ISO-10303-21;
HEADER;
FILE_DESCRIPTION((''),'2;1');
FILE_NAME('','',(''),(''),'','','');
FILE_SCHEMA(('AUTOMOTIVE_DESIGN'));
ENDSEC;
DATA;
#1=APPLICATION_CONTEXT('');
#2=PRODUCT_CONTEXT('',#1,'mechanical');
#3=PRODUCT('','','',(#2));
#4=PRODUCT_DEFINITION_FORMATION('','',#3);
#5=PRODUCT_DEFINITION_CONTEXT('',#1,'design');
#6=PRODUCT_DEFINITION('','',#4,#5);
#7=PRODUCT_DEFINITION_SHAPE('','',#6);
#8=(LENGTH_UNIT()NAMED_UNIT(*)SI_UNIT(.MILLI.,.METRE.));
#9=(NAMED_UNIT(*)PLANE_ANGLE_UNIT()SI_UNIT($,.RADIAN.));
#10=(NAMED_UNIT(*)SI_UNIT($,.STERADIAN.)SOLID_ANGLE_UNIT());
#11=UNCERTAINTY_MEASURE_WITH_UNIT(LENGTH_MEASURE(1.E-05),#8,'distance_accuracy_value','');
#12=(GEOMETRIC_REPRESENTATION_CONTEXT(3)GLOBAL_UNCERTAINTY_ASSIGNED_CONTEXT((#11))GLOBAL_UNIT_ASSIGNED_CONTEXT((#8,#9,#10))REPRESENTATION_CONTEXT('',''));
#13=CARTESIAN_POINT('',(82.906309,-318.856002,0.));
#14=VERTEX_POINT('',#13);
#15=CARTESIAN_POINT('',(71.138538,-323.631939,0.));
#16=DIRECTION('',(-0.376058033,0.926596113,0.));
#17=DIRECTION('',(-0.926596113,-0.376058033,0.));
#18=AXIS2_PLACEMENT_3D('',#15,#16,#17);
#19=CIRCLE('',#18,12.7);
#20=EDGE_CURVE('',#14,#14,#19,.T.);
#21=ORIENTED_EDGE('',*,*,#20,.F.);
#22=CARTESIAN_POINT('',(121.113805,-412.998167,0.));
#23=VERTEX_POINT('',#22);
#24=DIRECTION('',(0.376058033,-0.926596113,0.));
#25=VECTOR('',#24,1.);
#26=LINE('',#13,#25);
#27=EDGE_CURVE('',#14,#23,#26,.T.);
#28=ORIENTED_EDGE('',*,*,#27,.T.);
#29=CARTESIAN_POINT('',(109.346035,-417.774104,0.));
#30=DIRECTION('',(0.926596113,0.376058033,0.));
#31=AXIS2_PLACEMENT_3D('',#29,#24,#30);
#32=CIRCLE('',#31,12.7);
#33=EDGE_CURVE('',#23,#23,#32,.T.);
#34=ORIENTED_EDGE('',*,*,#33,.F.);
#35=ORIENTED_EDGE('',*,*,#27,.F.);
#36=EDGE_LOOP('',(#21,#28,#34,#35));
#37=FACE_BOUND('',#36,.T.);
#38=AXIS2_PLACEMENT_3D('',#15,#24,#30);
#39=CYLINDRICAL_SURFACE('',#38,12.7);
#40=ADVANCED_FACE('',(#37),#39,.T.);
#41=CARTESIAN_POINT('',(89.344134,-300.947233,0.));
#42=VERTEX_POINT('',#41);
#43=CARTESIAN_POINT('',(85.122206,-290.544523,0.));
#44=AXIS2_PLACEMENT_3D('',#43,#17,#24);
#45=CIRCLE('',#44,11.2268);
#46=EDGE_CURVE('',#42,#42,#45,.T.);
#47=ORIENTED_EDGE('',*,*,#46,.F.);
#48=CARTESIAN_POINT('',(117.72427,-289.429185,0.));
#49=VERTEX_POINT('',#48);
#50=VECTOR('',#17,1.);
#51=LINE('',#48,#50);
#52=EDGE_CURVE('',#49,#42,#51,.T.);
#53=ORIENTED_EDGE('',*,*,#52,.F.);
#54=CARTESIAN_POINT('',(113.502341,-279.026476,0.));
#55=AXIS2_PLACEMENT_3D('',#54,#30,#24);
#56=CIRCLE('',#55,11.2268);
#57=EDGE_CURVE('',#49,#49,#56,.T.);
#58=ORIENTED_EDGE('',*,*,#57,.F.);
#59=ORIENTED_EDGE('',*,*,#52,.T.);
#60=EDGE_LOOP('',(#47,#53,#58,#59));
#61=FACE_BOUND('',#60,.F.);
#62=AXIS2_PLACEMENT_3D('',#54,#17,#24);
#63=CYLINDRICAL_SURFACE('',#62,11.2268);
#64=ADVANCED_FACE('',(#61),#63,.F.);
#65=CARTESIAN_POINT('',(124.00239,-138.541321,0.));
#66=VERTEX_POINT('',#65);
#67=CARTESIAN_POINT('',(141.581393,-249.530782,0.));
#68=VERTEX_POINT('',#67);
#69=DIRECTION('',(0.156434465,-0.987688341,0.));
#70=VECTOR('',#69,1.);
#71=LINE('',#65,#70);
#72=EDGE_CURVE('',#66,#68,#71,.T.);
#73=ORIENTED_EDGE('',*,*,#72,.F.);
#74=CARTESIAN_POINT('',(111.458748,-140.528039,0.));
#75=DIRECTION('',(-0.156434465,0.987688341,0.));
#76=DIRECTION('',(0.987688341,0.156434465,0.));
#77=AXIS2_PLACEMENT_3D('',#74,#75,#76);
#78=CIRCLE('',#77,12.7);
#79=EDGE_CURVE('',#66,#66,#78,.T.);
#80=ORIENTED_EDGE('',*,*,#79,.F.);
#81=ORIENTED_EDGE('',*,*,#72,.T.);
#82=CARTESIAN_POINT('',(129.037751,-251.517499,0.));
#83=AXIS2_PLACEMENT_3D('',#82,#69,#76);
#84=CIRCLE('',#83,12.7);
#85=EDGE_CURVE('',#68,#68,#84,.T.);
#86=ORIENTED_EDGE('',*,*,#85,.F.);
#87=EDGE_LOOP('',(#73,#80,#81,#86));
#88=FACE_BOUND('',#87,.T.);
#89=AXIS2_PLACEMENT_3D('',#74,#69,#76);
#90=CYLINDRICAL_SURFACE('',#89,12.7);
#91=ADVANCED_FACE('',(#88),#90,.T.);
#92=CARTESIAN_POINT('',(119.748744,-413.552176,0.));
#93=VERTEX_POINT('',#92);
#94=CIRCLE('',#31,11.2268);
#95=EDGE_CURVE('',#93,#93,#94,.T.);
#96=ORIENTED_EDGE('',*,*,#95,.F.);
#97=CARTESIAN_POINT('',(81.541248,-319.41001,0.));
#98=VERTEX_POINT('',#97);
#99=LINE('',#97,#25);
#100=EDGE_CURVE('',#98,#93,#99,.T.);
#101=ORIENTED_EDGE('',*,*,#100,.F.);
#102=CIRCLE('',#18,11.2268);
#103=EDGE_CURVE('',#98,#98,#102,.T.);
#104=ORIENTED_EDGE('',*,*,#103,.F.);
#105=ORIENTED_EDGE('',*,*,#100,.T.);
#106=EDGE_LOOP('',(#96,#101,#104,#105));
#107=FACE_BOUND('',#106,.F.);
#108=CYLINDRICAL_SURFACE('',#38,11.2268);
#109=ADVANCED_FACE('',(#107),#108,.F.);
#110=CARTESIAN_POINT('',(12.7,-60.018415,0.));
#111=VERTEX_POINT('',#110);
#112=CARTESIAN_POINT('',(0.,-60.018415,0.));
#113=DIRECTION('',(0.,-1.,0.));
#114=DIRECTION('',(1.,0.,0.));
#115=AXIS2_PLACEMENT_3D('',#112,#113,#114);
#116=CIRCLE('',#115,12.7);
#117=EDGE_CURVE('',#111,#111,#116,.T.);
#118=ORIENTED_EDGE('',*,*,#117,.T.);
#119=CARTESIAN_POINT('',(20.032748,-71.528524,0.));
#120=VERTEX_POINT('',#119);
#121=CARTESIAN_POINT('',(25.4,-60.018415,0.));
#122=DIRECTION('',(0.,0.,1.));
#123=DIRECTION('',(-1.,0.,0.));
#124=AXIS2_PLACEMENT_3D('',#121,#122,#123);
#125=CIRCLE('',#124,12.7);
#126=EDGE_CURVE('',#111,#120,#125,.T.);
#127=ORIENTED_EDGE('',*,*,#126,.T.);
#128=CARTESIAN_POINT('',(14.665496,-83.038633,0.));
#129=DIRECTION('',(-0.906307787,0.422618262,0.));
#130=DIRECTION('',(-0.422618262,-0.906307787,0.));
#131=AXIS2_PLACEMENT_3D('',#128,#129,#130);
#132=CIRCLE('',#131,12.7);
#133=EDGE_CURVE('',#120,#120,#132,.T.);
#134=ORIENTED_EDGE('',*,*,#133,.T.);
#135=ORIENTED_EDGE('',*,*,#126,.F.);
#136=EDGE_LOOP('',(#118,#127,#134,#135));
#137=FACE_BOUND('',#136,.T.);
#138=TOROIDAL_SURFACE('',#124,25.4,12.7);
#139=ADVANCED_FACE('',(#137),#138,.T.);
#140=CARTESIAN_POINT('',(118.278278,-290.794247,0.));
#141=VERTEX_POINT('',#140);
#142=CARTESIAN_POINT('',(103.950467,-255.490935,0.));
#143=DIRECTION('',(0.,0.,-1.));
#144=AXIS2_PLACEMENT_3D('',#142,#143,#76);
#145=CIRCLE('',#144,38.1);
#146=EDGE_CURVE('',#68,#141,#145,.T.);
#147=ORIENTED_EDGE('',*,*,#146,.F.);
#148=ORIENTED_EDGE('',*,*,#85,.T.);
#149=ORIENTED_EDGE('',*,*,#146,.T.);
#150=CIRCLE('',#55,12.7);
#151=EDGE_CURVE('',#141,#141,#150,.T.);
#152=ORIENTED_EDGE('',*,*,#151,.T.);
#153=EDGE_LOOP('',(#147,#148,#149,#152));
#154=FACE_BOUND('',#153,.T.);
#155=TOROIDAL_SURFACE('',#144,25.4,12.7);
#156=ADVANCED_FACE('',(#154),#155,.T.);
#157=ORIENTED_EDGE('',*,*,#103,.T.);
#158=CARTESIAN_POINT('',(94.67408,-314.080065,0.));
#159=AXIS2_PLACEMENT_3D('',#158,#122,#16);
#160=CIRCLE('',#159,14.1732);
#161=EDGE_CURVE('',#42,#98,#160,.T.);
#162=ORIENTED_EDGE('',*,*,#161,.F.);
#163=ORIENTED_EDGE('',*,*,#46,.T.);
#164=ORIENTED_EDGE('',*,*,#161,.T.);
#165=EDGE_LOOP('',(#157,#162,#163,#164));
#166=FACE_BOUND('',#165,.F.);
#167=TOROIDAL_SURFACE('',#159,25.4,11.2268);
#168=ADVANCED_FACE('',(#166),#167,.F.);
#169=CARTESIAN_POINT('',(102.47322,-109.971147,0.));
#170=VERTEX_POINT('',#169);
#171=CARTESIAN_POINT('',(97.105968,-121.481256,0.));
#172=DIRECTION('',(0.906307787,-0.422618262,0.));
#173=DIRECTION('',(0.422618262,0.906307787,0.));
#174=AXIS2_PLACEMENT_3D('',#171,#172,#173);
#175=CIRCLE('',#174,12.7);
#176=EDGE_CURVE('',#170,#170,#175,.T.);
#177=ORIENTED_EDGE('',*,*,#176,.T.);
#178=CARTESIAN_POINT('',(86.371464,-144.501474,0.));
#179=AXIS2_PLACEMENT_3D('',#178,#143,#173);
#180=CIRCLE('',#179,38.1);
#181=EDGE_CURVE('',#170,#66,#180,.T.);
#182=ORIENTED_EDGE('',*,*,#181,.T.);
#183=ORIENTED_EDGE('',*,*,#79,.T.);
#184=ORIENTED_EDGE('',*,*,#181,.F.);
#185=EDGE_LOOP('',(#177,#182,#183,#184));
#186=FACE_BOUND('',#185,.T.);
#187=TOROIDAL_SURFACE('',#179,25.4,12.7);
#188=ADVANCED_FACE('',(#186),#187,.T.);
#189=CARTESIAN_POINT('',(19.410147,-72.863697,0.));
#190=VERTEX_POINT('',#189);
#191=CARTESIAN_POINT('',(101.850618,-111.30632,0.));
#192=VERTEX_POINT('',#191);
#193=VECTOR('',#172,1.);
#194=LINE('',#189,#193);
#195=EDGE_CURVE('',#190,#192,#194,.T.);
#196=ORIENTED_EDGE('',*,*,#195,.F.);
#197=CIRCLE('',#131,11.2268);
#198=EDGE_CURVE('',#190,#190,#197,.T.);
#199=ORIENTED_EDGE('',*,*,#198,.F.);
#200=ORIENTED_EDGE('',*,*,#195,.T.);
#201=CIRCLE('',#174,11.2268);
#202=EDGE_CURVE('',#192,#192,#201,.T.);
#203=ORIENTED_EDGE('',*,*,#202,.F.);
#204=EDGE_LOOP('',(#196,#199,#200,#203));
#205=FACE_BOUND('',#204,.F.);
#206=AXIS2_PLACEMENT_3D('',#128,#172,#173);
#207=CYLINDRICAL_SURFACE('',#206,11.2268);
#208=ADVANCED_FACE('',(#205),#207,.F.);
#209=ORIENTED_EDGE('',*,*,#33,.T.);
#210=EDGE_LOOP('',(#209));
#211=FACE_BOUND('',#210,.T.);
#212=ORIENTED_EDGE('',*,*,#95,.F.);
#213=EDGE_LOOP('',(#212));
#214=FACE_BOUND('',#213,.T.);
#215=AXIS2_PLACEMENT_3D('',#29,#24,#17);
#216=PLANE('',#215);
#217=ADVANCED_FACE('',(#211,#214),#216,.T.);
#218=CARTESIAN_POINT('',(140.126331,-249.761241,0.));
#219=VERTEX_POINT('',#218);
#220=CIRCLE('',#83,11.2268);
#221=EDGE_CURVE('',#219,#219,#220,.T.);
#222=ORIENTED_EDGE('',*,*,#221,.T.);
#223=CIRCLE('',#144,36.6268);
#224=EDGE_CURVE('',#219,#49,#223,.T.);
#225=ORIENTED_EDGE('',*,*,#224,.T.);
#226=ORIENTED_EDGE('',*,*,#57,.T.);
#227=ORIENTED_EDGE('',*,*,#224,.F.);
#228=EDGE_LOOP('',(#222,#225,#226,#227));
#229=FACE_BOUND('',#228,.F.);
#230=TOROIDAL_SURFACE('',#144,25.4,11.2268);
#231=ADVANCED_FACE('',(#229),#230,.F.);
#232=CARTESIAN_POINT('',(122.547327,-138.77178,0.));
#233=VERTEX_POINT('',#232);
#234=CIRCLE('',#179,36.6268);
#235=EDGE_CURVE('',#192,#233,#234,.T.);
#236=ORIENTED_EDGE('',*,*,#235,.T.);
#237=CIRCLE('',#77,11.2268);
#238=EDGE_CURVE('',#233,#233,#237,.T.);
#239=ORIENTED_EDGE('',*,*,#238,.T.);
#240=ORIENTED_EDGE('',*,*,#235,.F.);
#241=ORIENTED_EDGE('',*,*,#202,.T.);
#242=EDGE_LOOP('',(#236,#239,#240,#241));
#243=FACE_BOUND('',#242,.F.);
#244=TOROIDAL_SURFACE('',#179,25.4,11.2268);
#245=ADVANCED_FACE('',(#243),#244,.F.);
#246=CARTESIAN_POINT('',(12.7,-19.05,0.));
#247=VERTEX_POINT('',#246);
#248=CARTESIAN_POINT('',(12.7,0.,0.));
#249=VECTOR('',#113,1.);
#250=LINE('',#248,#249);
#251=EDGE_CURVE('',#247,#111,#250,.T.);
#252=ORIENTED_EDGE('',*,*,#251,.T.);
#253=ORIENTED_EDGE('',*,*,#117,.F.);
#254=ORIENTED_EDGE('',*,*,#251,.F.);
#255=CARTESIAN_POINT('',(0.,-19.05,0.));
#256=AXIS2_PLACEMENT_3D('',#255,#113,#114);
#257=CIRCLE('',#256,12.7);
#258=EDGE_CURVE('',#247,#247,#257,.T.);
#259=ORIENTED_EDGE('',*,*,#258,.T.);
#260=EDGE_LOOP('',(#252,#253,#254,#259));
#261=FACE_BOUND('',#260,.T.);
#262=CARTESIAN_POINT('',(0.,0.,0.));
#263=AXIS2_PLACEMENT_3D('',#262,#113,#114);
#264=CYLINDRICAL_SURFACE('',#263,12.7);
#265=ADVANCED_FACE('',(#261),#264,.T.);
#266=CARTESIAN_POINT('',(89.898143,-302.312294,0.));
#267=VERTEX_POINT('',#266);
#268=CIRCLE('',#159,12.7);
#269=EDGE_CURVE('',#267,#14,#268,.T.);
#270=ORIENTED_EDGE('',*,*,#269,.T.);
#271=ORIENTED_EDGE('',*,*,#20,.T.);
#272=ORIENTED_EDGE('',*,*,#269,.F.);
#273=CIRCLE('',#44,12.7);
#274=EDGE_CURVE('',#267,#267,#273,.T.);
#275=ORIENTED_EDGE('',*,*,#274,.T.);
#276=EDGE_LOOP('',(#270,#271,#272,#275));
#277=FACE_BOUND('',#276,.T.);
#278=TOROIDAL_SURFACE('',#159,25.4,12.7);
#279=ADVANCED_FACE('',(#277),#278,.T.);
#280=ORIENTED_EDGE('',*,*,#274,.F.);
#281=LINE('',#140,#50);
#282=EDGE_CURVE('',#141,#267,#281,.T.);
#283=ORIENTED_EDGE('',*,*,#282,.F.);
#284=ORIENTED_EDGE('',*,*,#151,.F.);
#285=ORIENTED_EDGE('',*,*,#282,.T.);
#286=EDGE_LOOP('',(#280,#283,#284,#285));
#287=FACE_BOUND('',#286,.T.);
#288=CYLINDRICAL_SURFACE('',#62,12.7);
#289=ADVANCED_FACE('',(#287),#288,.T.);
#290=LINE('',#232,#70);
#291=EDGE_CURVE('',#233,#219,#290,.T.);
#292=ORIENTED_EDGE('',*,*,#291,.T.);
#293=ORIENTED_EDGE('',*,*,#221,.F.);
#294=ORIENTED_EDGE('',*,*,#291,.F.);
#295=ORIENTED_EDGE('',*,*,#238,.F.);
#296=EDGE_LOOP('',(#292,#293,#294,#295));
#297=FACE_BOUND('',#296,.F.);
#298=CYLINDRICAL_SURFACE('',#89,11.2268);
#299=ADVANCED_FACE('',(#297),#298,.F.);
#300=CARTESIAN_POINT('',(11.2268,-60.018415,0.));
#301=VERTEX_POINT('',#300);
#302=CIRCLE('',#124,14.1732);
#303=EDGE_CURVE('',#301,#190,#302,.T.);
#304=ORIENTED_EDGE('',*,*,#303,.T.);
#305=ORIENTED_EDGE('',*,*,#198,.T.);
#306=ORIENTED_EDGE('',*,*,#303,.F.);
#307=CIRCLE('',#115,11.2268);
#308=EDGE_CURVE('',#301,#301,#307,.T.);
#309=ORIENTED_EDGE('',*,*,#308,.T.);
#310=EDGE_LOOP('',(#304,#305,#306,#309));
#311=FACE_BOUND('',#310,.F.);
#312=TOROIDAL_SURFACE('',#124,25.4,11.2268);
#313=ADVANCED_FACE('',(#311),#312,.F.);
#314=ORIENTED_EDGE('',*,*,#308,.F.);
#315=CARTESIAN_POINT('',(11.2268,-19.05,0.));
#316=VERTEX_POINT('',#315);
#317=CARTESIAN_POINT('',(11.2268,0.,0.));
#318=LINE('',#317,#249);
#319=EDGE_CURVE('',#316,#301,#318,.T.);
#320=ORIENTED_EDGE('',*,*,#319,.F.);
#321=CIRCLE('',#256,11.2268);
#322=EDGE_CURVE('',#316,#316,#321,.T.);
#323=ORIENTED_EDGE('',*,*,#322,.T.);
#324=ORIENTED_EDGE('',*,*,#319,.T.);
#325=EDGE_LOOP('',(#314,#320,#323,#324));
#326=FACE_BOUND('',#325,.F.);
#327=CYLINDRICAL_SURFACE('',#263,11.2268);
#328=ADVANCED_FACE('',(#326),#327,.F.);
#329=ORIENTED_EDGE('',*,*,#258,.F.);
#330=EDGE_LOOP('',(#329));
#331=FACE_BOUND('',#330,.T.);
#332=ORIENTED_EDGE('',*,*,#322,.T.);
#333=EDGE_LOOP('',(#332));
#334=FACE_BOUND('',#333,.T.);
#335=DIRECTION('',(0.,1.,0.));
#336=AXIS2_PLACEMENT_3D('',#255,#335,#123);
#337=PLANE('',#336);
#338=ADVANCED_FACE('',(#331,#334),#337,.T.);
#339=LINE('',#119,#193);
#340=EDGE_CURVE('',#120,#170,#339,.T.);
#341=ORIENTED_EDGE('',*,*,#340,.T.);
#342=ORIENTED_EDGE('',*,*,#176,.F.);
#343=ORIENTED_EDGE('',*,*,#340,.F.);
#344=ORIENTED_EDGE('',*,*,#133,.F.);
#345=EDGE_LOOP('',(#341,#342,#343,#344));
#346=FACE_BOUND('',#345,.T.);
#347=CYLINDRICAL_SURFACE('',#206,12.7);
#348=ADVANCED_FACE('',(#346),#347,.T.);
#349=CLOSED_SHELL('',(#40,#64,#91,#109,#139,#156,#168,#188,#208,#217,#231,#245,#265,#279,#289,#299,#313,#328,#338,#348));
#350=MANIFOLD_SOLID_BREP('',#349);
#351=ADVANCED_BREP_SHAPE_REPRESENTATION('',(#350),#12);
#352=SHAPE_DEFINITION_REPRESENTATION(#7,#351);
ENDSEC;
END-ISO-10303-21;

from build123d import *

# Parameters (mm, degrees)
F1_R     = 12.7
F3_T     = -1.4732
F4_R     = 19.05
F5_DEPTH = 19.05


with BuildPart() as f2:
    # F2: sweep along a path in F0
    with BuildLine(Plane.XY) as f2_path:
        Line((0, 0), (0, -60.0184153755))
        ThreePointArc((0, -60.0184153755), (3.9778572764, -73.6658254275), (14.6654961518, -83.0386331662))
        Line((14.6654961518, -83.0386331662), (97.1059675877, -121.4812563387))
        ThreePointArc((97.1059675877, -121.4812563387), (106.6568056947, -129.2153725414), (111.4587475906, -140.5280387174))
        Line((111.4587475906, -140.5280387174), (129.0377511912, -251.517499327))
        ThreePointArc((129.0377511912, -251.517499327), (126.0672881815, -267.9811803678), (113.502341373, -279.0264760002))
        Line((113.502341373, -279.0264760002), (85.1222056026, -290.5445234888))
        ThreePointArc((85.1222056026, -290.5445234888), (71.2777439091, -304.192118827), (71.1385383743, -323.6319387829))
        Line((71.1385383743, -323.6319387829), (109.346034506, -417.7741038279))
    # F1 (on Front) → F2 (sweep)
    with BuildSketch(Plane.XZ):
        Circle(F1_R)
    sweep(path=f2_path.line)

    # F3
    f3_openings = [f2.faces().sort_by_distance(p)[0] for p in [
        (0, 0, 0),
        (109.346035, -417.774104, 0),
    ]]
    offset(amount=F3_T, openings=f3_openings)

    # F4 (on face) → F5 (cut)
    with BuildSketch(Plane(origin=(0, 0, 0), x_dir=(-1, 0, 0), z_dir=(0, 1, 0))):
        Circle(F4_R)
    extrude(amount=-F5_DEPTH, mode=Mode.SUBTRACT)


solid = f2.part
